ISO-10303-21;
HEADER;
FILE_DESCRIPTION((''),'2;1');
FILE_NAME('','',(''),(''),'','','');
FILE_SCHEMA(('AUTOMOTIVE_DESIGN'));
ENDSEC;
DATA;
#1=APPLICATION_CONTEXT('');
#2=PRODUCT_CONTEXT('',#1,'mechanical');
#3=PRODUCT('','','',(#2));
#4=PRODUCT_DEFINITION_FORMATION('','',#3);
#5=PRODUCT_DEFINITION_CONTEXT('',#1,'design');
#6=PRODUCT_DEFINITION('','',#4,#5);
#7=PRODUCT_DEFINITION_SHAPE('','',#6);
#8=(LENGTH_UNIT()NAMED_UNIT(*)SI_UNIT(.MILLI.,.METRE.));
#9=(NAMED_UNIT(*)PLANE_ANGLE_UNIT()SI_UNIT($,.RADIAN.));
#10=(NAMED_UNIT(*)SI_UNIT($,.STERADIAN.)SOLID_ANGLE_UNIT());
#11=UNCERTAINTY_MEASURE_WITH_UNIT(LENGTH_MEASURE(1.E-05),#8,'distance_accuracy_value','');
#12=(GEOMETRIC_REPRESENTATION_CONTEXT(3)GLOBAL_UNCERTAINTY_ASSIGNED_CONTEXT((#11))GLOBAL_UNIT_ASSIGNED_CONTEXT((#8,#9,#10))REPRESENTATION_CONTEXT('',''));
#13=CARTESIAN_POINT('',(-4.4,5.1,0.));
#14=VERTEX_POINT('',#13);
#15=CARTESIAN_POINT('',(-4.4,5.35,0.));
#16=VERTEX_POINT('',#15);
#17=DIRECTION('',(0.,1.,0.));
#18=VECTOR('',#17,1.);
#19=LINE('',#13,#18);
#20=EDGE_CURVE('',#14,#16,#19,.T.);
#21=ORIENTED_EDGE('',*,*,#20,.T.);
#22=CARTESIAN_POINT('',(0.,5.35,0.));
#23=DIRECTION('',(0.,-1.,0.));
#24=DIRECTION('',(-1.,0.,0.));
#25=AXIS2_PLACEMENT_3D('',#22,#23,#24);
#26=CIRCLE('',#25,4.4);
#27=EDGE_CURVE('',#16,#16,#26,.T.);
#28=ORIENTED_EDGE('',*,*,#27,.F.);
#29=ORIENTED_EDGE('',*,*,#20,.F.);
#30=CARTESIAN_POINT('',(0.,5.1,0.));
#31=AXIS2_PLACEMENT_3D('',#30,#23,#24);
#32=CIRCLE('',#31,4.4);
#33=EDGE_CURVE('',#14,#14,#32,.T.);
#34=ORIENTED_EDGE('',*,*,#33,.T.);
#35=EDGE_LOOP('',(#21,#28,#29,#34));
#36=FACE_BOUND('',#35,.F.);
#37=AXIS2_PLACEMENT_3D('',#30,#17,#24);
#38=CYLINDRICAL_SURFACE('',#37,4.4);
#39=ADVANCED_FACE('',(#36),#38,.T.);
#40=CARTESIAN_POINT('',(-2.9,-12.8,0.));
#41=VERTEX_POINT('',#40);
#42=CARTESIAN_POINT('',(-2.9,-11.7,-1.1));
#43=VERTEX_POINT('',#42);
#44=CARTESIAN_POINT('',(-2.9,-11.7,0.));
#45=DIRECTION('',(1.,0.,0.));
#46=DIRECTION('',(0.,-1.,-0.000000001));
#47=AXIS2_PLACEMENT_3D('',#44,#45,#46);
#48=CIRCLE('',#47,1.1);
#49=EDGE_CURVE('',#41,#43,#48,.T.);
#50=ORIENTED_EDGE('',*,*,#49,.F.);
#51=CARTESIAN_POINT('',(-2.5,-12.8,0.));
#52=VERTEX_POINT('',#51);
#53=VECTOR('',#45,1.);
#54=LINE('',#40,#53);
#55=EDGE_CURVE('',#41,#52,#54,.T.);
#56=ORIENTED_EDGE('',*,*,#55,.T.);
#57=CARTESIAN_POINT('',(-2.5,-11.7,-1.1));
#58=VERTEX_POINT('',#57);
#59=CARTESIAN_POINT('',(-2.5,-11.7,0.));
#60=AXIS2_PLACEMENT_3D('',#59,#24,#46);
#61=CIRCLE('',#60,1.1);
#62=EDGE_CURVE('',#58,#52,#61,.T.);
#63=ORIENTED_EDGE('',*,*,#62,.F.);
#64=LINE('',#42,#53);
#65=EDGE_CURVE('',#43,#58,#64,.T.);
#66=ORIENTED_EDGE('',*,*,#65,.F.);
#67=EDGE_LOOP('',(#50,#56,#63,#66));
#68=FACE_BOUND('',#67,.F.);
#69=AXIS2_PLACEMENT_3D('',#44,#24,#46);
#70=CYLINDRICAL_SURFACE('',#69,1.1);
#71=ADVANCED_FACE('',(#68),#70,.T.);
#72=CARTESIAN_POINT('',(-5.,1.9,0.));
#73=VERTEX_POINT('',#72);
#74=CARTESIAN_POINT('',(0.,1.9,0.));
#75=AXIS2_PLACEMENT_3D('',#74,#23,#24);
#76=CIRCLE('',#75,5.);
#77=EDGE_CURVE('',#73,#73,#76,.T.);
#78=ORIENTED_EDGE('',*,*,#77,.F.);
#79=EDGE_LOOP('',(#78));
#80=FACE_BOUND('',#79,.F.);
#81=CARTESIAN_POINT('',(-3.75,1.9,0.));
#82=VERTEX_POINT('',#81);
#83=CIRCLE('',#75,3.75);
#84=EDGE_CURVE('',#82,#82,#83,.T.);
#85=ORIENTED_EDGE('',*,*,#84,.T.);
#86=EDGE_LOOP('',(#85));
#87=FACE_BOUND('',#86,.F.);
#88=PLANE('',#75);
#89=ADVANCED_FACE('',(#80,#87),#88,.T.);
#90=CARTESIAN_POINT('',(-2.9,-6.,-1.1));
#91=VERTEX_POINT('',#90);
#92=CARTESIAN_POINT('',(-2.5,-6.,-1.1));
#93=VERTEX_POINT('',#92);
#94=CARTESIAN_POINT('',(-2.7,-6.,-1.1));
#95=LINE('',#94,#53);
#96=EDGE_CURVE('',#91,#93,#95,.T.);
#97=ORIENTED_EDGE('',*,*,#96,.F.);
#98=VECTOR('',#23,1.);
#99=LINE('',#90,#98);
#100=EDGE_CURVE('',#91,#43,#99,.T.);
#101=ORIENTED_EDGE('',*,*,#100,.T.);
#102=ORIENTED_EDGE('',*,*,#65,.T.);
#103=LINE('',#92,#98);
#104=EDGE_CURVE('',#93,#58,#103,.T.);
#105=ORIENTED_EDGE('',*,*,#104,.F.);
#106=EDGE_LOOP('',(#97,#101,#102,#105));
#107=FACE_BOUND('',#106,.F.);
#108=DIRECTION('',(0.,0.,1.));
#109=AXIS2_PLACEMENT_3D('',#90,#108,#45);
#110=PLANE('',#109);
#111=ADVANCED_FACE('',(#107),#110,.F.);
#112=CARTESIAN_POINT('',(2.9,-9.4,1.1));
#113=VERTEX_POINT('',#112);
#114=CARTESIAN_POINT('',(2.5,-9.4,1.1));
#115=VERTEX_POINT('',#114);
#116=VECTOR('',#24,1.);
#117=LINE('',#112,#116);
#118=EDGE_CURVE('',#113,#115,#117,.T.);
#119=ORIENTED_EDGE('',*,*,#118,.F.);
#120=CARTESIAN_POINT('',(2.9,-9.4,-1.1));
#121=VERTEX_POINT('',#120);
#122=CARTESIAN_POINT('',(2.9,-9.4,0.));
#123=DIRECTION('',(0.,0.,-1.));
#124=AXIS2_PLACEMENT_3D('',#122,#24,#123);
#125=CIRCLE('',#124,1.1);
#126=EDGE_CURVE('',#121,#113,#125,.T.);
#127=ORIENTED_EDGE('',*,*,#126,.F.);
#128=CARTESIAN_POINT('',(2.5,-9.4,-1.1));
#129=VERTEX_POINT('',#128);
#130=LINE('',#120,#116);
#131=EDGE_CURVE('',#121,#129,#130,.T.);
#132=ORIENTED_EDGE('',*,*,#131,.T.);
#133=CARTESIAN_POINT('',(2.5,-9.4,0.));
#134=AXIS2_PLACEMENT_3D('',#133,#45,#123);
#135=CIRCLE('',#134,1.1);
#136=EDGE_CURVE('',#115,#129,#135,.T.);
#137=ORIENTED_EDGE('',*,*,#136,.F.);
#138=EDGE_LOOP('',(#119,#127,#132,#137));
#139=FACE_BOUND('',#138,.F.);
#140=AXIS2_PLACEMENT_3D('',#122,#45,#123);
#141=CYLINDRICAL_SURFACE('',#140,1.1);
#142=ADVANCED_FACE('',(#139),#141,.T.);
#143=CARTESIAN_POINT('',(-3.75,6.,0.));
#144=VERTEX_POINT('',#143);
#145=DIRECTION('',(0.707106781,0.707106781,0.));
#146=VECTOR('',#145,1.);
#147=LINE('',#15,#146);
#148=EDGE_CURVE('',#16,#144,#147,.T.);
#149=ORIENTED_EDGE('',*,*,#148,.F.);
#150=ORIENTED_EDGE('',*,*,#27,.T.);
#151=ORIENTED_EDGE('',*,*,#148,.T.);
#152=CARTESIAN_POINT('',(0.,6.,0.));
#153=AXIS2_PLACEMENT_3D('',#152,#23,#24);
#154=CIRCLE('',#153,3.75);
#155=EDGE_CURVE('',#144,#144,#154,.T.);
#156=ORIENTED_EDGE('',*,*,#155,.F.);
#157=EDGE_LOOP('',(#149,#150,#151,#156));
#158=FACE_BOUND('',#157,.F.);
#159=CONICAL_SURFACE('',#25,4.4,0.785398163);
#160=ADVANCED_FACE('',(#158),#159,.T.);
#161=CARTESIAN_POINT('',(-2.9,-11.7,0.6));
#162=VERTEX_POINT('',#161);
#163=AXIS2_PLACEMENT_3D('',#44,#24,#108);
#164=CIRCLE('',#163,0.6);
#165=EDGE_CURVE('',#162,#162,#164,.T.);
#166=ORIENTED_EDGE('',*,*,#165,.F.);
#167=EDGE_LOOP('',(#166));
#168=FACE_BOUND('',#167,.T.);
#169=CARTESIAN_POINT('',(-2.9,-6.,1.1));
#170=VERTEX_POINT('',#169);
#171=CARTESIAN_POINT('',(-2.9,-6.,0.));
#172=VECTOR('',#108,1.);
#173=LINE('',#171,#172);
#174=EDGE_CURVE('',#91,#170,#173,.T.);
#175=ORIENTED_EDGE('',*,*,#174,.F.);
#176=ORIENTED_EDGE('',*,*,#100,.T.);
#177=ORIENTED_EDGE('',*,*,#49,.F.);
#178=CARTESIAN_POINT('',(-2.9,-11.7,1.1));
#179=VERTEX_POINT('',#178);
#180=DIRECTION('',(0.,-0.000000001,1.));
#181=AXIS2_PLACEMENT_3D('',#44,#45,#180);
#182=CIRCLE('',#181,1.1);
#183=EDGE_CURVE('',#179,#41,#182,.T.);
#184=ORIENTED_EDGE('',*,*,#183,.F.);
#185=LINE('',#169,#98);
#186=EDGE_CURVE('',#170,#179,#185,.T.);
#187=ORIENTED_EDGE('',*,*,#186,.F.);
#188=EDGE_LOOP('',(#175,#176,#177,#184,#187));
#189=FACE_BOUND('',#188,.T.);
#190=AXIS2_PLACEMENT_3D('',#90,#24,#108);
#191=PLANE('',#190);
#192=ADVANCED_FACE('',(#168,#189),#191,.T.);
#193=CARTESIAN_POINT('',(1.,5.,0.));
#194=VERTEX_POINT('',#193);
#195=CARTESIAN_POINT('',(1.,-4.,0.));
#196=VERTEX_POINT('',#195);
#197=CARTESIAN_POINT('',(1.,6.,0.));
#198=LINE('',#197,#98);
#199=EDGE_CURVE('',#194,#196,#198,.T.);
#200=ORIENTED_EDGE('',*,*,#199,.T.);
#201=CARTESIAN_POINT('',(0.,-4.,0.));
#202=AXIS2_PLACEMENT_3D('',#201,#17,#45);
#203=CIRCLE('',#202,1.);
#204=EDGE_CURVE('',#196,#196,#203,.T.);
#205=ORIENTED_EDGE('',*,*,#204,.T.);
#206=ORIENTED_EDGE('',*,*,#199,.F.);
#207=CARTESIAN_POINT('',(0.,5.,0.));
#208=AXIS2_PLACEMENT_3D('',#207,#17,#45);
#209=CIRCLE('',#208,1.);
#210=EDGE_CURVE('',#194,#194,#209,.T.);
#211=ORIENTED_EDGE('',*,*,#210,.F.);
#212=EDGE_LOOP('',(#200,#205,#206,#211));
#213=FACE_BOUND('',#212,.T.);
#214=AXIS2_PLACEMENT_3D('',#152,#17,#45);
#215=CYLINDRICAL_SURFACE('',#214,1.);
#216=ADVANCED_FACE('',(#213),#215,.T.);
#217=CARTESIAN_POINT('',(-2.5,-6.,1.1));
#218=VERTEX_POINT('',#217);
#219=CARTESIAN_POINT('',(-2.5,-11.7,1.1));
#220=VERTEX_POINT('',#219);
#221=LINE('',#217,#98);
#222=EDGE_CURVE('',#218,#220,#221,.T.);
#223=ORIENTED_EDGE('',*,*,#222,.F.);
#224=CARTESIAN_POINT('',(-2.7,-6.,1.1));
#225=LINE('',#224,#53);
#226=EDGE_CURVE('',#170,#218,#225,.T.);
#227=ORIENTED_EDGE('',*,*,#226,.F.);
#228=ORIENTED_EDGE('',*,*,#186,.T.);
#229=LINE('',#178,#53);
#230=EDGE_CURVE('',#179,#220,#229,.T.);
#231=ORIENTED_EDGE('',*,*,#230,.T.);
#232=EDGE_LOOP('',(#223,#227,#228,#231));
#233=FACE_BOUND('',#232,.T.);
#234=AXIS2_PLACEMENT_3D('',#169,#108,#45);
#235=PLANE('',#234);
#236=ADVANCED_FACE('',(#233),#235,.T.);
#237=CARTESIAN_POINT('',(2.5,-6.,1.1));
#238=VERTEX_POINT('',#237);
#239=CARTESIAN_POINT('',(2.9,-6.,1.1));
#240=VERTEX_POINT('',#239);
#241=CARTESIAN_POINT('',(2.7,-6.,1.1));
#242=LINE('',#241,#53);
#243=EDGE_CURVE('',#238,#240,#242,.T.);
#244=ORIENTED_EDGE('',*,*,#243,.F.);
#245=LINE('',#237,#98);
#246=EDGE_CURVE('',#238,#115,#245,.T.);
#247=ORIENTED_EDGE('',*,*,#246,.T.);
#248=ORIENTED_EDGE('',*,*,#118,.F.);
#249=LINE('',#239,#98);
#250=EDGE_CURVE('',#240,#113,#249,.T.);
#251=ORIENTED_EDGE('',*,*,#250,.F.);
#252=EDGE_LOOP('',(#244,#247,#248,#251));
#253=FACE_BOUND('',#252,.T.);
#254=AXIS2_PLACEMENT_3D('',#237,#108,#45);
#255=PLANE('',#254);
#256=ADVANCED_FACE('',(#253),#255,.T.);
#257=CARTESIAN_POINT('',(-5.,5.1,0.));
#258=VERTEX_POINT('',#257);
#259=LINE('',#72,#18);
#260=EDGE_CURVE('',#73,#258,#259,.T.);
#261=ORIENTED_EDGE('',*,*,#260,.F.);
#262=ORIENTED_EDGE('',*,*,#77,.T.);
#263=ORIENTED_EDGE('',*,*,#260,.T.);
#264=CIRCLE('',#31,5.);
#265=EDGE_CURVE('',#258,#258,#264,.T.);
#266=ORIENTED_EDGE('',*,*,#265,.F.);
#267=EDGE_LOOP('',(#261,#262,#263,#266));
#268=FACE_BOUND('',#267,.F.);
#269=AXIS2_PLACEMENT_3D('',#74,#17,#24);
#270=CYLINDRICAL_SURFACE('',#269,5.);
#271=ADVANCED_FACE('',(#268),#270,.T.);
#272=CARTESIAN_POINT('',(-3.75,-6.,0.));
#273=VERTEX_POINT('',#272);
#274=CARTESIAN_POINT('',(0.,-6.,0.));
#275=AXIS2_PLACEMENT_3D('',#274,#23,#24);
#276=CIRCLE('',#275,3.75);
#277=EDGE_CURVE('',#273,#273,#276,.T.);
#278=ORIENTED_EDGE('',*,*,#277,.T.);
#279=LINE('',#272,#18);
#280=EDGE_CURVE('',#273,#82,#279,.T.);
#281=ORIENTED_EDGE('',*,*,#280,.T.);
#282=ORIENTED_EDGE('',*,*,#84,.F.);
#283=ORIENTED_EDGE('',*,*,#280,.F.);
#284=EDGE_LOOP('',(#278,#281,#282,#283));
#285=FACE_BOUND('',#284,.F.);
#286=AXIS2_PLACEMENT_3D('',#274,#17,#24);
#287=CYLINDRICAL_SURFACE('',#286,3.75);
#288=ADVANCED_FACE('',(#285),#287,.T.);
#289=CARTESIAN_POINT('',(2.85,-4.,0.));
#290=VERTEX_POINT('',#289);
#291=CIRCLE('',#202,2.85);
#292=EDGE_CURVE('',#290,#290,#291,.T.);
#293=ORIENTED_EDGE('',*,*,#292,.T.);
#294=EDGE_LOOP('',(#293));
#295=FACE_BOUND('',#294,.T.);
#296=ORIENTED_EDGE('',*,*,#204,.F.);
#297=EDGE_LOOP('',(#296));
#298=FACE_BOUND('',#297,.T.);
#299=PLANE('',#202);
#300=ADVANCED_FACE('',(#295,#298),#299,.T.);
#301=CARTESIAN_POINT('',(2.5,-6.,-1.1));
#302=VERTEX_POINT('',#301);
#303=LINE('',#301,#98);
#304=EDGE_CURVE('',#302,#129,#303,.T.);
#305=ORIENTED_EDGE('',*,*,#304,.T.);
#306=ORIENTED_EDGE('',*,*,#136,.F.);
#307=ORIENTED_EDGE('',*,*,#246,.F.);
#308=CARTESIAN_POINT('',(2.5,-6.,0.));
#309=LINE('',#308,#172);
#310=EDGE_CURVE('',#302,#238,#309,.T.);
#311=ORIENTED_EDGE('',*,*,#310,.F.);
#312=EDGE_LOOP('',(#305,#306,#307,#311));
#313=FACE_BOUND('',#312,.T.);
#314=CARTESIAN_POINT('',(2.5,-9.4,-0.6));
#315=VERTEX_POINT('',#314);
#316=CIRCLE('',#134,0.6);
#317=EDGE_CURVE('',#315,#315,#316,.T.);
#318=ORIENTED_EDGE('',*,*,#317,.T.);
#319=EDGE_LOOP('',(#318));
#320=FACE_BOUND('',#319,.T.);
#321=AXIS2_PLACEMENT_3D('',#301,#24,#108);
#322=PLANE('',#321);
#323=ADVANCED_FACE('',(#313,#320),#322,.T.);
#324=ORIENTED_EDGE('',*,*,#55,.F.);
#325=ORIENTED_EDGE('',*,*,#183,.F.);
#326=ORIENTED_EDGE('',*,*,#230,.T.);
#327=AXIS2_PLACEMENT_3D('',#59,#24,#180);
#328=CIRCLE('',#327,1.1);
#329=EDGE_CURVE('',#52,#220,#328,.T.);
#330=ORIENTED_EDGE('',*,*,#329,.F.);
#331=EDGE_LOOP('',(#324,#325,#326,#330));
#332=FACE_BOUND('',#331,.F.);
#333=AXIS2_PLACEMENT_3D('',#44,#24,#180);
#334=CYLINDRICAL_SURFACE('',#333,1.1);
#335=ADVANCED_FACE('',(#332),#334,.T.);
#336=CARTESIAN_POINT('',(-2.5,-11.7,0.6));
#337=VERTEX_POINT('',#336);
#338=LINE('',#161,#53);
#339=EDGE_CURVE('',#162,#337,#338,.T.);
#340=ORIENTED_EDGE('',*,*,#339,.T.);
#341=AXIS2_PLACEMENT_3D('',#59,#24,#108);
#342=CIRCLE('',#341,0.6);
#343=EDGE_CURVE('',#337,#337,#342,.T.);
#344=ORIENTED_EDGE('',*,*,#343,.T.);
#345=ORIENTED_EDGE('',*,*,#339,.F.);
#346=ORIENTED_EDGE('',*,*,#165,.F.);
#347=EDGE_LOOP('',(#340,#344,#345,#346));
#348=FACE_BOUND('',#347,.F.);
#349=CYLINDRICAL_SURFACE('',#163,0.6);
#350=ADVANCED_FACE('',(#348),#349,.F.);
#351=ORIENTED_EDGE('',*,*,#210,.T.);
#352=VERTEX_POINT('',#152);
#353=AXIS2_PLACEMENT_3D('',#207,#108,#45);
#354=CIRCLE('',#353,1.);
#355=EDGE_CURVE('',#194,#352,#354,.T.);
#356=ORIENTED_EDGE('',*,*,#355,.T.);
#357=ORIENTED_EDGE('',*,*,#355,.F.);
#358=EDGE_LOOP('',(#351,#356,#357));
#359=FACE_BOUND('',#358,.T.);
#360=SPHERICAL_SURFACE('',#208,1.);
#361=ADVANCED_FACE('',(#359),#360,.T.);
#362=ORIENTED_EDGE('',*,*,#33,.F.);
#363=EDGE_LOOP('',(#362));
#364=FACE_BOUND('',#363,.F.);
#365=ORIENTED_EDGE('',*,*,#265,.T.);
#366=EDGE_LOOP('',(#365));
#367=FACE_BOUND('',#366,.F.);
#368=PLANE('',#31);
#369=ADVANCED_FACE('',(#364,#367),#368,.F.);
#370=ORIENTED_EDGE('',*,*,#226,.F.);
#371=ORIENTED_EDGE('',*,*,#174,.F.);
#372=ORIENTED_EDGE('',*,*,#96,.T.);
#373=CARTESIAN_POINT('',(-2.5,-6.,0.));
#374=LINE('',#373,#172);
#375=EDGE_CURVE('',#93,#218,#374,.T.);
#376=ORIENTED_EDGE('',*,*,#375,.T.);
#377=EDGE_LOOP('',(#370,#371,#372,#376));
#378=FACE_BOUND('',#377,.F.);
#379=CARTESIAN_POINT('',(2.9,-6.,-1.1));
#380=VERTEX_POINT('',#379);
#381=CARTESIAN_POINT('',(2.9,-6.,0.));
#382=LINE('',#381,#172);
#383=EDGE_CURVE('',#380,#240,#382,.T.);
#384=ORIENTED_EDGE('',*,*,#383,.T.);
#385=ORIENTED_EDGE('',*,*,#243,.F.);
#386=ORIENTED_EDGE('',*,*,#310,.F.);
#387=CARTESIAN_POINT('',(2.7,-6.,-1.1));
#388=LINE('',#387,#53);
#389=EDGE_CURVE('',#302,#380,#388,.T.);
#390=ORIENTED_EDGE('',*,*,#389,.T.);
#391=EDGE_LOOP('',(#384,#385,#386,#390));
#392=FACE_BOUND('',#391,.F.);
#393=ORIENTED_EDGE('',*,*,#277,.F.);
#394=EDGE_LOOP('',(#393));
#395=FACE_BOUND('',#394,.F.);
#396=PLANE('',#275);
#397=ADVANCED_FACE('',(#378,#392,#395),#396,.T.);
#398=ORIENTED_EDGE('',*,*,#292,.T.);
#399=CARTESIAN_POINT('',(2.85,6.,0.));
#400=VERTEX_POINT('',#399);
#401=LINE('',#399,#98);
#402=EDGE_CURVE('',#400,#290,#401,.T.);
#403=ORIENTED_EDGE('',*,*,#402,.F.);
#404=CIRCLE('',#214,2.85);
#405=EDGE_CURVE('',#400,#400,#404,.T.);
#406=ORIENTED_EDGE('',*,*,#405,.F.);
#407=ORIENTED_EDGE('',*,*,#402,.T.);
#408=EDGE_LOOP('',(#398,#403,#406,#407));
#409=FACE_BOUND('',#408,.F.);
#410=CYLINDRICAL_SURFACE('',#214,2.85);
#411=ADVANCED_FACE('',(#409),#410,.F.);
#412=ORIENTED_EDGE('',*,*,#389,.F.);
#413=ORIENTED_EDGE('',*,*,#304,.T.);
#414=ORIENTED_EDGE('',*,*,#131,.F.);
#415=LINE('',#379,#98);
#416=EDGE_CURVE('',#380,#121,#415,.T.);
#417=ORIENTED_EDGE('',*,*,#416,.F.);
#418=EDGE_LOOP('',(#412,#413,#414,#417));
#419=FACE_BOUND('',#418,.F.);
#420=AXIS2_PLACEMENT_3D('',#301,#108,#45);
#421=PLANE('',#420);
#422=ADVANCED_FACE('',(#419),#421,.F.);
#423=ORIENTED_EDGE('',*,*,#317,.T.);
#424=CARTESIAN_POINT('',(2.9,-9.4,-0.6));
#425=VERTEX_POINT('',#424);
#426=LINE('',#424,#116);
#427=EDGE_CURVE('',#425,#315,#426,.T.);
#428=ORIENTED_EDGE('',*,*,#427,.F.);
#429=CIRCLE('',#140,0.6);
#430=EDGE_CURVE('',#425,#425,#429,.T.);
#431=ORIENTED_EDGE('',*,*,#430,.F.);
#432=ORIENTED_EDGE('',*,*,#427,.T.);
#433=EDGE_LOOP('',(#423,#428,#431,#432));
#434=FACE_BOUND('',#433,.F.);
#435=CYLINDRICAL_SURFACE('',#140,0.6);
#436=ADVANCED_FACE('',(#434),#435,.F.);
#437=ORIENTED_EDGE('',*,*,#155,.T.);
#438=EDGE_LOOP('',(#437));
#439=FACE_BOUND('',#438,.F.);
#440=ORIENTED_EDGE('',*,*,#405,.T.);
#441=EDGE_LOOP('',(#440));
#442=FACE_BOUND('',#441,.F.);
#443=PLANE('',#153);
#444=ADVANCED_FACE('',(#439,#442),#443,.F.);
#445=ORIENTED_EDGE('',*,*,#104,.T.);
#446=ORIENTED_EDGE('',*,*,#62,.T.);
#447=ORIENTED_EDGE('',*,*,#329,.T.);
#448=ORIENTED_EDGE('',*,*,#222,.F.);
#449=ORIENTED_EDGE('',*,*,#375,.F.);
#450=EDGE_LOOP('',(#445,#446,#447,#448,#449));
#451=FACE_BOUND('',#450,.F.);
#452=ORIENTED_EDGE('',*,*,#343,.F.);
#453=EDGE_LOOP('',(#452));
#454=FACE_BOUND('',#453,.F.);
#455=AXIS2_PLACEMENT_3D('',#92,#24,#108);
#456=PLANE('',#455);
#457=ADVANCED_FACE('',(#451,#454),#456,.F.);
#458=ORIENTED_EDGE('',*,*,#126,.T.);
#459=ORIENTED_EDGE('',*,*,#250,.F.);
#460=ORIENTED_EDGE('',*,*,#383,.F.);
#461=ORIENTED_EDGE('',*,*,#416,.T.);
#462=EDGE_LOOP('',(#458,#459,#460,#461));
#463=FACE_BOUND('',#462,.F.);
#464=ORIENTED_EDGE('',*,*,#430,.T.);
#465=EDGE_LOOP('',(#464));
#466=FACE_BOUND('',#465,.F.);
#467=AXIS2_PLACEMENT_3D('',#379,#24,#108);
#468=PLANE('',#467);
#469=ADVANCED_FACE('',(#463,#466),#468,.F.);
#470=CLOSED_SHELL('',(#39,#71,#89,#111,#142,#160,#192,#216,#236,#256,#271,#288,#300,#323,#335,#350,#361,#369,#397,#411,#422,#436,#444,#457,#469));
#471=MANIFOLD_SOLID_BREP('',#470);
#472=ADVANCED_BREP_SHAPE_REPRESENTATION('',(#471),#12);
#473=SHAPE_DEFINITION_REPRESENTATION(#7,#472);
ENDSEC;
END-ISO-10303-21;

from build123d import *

# Parameters (mm, degrees)
ESQUISSE2_R             = 2.85
ESQUISSE2_R_2           = 1
ENL_V_MAT_EXTRU_1_DEPTH = 10
CONG_1_R                = 1
ESQUISSE3_W             = 0.4
ESQUISSE3_H             = 2.2
BOSS_EXTRU_1_DEPTH      = 6.8
ENL_V_MAT_EXTRU_2_REACH = 9.9
ESQUISSE4_R             = 0.6
ENL_V_MAT_EXTRU_3_REACH = 9.9
ESQUISSE6_R             = 0.6


with BuildPart() as part:
    # Esquisse1 → Révolution1 (revolve)
    with BuildSketch(Plane.XY):
        Polygon((0, -6), (-3.75, -6), (-3.75, 1.9), (-5, 1.9), (-5, 5.1), (-4.4, 5.1), (-4.4, 5.35), (-3.75, 6), (0, 6), align=None)
    revolve(axis=Axis((0, 6, 0), (0, -1, 0)))

    # Esquisse2 → Enlèv. mat.-Extru.1 (cut)
    with BuildSketch(Plane(origin=(0, 6, 0), x_dir=(1, 0, 0), z_dir=(0, 1, 0))):
        Circle(ESQUISSE2_R)
        Circle(ESQUISSE2_R_2, mode=Mode.SUBTRACT)
    extrude(amount=-ENL_V_MAT_EXTRU_1_DEPTH, mode=Mode.SUBTRACT)

    # Congé1
    cong_1_edges = [part.edges().sort_by_distance(p)[0] for p in [
        (-1, 6, 0),
    ]]
    fillet(cong_1_edges, radius=CONG_1_R)

    # Esquisse3 → Boss.-Extru.1 (add)
    with BuildSketch(Plane.XZ.offset(6)):
        with Locations((-2.7, 0)):
            Rectangle(ESQUISSE3_W, ESQUISSE3_H)
        with Locations((2.7, 0)):
            Rectangle(ESQUISSE3_W, ESQUISSE3_H)
    extrude(amount=BOSS_EXTRU_1_DEPTH)

    # Esquisse4 → Enlèv. mat.-Extru.2 (cut, up to next)
    with BuildSketch(Plane(origin=(2.9, 0, 0), x_dir=(0, 0, -1), z_dir=(1, 0, 0)), mode=Mode.PRIVATE) as enl_v_mat_extru_2_sk1:
        with BuildLine():
            ThreePointArc((1.1, -9.4), (0, -10.5), (-1.1, -9.4))
            Line((-1.1, -9.4), (-1.1, -12.8))
            Line((-1.1, -12.8), (1.1, -12.8))
            Line((1.1, -12.8), (1.1, -9.4))
        make_face()
    enl_v_mat_extru_2_tool1 = extrude(enl_v_mat_extru_2_sk1.sketch, amount=-ENL_V_MAT_EXTRU_2_REACH, mode=Mode.PRIVATE) & part.part
    add(enl_v_mat_extru_2_tool1.solids().sort_by_distance((2.9, -11.520085, 0))[0], mode=Mode.SUBTRACT)
    # Esquisse4 → Enlèv. mat.-Extru.2 (cut, up to next)
    with BuildSketch(Plane(origin=(2.9, 0, 0), x_dir=(0, 0, -1), z_dir=(1, 0, 0)), mode=Mode.PRIVATE) as enl_v_mat_extru_2_sk2:
        with Locations((0, -9.4)):
            Circle(ESQUISSE4_R)
    enl_v_mat_extru_2_tool2 = extrude(enl_v_mat_extru_2_sk2.sketch, amount=-ENL_V_MAT_EXTRU_2_REACH, mode=Mode.PRIVATE) & part.part
    add(enl_v_mat_extru_2_tool2.solids().sort_by_distance((2.9, -9.4, 0))[0], mode=Mode.SUBTRACT)

    # Esquisse6 → Enlèv. mat.-Extru.3 (cut, up to next)
    with BuildSketch(Plane.ZY.offset(2.9), mode=Mode.PRIVATE) as enl_v_mat_extru_3_sk1:
        with BuildLine():
            ThreePointArc((0, -12.8), (-0.777817459, -12.477817459), (-1.1, -11.7))
            Line((-1.1, -11.7), (-1.1, -12.8))
            Line((-1.1, -12.8), (0, -12.8))
        make_face()
    enl_v_mat_extru_3_tool1 = extrude(enl_v_mat_extru_3_sk1.sketch, amount=-ENL_V_MAT_EXTRU_3_REACH, mode=Mode.PRIVATE) & part.part
    add(enl_v_mat_extru_3_tool1.solids().sort_by_distance((-2.9, -12.554295, -0.854295))[0], mode=Mode.SUBTRACT)
    # Esquisse6 → Enlèv. mat.-Extru.3 (cut, up to next)
    with BuildSketch(Plane.ZY.offset(2.9), mode=Mode.PRIVATE) as enl_v_mat_extru_3_sk2:
        with BuildLine():
            ThreePointArc((1.1, -11.7), (0.777817459, -12.477817459), (0, -12.8))
            Line((0, -12.8), (1.1, -12.8))
            Line((1.1, -12.8), (1.1, -11.7))
        make_face()
    enl_v_mat_extru_3_tool2 = extrude(enl_v_mat_extru_3_sk2.sketch, amount=-ENL_V_MAT_EXTRU_3_REACH, mode=Mode.PRIVATE) & part.part
    add(enl_v_mat_extru_3_tool2.solids().sort_by_distance((-2.9, -12.554295, 0.854295))[0], mode=Mode.SUBTRACT)
    # Esquisse6 → Enlèv. mat.-Extru.3 (cut, up to next)
    with BuildSketch(Plane.ZY.offset(2.9), mode=Mode.PRIVATE) as enl_v_mat_extru_3_sk3:
        with Locations((0, -11.7)):
            Circle(ESQUISSE6_R)
    enl_v_mat_extru_3_tool3 = extrude(enl_v_mat_extru_3_sk3.sketch, amount=-ENL_V_MAT_EXTRU_3_REACH, mode=Mode.PRIVATE) & part.part
    add(enl_v_mat_extru_3_tool3.solids().sort_by_distance((-2.9, -11.7, 0))[0], mode=Mode.SUBTRACT)


solid = part.part
